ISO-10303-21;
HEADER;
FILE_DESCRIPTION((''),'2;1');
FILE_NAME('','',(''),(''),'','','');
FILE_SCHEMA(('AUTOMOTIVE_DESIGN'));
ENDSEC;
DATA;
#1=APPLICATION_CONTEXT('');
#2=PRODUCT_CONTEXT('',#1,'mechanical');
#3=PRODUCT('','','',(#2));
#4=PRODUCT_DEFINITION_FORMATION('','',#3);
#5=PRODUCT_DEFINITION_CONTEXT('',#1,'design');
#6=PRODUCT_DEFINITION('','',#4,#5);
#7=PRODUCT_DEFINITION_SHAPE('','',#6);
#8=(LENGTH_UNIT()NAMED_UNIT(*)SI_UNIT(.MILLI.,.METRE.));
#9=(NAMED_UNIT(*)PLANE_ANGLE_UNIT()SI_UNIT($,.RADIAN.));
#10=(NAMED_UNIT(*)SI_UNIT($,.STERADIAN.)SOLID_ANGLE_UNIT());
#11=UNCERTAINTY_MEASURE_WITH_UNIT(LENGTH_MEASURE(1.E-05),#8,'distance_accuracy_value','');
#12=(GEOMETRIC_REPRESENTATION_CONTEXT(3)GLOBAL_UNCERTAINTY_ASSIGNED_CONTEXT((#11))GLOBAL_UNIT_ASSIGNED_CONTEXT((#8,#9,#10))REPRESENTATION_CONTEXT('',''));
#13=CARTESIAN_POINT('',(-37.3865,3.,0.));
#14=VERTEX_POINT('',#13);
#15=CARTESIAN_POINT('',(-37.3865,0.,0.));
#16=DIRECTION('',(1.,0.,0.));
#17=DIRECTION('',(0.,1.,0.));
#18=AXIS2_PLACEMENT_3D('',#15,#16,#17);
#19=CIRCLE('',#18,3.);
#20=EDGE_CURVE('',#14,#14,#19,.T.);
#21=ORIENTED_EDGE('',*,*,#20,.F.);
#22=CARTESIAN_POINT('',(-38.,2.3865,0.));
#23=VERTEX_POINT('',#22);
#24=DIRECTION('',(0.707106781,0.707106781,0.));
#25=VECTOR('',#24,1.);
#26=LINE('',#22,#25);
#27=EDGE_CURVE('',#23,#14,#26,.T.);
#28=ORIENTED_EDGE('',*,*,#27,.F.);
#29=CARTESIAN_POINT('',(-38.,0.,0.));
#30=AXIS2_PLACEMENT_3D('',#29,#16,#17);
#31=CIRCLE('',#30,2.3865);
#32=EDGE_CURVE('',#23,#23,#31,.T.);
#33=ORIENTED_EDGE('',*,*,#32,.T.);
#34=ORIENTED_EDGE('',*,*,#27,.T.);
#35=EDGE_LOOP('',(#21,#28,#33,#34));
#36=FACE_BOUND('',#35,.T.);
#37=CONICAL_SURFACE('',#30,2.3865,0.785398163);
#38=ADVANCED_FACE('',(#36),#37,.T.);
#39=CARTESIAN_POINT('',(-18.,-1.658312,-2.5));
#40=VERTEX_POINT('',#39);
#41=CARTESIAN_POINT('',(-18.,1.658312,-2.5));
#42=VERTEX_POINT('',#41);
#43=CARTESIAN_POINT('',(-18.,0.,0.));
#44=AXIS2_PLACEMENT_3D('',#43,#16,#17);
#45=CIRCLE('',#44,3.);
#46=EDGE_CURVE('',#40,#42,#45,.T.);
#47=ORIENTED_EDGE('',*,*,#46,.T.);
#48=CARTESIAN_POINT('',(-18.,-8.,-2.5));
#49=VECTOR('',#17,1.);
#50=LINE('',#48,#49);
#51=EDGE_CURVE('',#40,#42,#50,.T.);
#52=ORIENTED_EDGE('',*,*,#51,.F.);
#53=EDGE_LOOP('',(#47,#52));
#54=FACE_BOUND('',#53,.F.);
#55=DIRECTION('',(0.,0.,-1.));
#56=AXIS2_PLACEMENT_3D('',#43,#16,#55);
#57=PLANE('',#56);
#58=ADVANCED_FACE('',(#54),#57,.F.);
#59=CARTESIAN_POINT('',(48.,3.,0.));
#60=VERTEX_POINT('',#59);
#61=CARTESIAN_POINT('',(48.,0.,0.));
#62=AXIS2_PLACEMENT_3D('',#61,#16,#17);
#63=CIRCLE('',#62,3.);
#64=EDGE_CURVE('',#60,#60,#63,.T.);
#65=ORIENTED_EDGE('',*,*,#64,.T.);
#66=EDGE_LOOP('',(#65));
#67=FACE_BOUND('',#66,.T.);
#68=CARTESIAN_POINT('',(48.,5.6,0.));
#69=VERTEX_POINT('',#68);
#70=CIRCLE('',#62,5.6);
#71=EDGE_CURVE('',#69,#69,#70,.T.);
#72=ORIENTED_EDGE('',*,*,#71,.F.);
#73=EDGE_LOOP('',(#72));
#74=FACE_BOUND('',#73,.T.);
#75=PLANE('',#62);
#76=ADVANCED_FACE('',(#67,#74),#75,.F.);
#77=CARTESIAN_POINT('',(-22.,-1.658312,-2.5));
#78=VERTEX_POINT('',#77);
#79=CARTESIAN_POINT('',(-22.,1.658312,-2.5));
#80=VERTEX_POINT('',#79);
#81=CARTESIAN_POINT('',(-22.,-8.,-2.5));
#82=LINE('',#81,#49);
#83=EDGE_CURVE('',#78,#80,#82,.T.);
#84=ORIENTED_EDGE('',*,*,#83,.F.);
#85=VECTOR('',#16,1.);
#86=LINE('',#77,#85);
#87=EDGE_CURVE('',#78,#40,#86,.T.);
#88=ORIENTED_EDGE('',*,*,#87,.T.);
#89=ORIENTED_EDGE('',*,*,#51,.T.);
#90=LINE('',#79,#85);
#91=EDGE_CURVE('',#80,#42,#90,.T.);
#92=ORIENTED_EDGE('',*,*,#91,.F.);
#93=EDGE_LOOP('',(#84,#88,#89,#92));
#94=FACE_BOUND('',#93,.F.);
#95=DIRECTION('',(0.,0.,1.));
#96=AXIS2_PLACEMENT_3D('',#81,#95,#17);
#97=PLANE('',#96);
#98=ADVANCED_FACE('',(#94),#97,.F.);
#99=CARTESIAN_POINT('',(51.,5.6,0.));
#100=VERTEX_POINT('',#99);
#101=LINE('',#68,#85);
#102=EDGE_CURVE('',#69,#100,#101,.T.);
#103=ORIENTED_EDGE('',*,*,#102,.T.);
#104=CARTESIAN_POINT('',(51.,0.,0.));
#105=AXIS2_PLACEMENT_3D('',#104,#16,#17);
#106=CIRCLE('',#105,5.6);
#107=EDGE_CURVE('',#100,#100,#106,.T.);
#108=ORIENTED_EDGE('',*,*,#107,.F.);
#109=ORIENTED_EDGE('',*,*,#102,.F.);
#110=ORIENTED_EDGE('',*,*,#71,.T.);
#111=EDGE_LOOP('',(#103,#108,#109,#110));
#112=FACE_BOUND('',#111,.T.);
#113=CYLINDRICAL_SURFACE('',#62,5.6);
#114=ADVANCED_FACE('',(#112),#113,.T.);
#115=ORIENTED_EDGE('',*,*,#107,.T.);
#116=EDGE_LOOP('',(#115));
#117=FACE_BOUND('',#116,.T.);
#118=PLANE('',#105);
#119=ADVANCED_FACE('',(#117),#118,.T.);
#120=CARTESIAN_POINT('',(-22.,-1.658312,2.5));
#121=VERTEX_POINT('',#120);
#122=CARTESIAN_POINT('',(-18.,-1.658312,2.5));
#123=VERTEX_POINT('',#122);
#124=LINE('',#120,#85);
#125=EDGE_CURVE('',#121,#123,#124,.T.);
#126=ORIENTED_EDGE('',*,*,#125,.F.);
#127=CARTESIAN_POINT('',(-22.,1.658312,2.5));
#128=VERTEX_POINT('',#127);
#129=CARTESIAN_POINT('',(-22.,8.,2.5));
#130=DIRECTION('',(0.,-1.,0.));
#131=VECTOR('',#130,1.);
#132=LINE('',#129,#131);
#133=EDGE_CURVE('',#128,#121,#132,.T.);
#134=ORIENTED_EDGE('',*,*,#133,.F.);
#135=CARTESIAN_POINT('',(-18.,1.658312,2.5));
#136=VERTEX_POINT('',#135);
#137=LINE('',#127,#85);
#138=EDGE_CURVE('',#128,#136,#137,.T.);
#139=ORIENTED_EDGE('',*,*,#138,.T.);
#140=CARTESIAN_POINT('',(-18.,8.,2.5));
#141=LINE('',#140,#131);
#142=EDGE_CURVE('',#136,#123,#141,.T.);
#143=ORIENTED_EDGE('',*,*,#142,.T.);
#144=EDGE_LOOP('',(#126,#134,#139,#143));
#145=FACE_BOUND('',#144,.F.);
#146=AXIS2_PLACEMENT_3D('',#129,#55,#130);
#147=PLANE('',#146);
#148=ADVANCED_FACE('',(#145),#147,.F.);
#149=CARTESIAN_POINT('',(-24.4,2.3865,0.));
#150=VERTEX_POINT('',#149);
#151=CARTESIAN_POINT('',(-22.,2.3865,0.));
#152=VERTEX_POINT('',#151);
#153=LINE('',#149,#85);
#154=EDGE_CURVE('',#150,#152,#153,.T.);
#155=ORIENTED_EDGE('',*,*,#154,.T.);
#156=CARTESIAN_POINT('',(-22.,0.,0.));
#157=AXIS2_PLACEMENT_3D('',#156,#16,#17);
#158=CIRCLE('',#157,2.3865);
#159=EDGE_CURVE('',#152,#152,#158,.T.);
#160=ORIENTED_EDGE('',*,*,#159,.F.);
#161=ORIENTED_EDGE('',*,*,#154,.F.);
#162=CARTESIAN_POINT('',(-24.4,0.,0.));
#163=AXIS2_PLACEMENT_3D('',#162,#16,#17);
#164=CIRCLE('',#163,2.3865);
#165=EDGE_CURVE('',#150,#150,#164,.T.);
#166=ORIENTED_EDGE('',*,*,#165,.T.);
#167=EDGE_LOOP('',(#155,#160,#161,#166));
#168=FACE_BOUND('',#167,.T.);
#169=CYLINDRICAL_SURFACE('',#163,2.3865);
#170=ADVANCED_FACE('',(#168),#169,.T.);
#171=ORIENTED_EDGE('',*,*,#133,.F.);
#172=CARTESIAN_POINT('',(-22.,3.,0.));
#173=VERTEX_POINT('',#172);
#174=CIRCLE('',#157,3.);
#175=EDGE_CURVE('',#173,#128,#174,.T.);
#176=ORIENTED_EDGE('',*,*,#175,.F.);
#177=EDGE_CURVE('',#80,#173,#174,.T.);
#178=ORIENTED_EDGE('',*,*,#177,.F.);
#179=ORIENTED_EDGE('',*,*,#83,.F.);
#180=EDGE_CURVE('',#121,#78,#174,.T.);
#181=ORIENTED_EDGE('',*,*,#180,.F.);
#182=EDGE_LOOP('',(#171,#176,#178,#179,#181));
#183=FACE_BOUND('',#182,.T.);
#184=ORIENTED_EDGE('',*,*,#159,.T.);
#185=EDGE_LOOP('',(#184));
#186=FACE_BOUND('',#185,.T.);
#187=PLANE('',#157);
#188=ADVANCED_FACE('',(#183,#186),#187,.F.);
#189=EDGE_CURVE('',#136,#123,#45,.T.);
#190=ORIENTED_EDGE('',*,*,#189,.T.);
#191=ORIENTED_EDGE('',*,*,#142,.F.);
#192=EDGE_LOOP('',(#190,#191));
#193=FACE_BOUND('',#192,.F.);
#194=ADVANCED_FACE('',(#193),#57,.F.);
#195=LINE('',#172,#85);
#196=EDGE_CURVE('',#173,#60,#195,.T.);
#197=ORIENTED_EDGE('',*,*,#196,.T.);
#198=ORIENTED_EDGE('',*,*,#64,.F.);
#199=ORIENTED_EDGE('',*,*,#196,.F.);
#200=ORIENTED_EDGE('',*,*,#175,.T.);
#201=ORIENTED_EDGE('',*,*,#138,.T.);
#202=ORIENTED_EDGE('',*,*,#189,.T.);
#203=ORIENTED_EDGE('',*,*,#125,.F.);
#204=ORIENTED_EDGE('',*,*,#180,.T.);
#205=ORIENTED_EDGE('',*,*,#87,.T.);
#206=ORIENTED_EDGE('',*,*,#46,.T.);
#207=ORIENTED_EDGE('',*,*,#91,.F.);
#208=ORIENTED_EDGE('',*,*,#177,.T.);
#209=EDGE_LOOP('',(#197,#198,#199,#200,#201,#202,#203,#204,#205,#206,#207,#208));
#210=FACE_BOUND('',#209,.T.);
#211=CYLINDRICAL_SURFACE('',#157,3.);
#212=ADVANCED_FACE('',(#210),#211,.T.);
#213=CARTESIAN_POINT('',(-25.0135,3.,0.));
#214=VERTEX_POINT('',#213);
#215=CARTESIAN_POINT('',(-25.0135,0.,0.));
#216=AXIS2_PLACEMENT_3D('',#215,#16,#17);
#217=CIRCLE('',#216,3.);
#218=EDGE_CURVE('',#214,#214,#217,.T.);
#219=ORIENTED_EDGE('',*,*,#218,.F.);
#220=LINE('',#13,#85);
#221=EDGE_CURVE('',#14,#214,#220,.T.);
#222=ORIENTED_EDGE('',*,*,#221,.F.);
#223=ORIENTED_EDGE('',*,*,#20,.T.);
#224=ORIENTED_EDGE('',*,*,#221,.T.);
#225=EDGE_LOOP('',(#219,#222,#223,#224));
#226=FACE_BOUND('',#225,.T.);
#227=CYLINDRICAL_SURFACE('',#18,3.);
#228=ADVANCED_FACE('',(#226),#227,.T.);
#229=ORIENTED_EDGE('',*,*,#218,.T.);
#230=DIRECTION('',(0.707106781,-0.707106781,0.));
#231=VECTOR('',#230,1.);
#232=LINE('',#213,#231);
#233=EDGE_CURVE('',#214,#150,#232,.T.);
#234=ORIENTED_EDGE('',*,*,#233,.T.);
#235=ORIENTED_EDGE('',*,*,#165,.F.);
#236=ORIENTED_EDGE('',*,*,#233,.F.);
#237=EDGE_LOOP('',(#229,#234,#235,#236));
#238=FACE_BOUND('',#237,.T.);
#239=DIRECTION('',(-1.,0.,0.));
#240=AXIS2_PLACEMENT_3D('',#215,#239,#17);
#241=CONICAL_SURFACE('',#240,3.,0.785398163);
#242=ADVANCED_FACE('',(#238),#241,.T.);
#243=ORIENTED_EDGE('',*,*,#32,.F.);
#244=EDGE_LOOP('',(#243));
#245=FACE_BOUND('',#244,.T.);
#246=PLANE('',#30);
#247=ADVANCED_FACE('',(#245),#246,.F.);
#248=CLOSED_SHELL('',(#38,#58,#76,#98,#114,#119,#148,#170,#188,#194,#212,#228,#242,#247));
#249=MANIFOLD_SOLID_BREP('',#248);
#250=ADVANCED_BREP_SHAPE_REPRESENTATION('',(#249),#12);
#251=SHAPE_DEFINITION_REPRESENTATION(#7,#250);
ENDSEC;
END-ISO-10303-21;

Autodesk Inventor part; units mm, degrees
sketch "Skizze_1" plane through (0, 0, 0) normal (0, 0, 1) x (1, 0, 0)
  line L0 (51, 0) -> (-38, 0)
  line L1 (-38, 0) -> (-38, 2.3865)
  line L2 (-38, 2.3865) -> (-37.3865, 3)
  line L3 (-37.3865, 3) -> (-25.0135, 3)
  line L4 (-25.0135, 3) -> (-24.4, 2.3865)
  line L5 (-24.4, 2.3865) -> (-22, 2.3865)
  line L6 (-22, 2.3865) -> (-22, 3)
  line L7 (-22, 3) -> (48, 3)
  line L8 (48, 3) -> (48, 5.6)
  line L9 (48, 5.6) -> (51, 5.6)
  line L10 (51, 5.6) -> (51, 0)
  line L11 (51, 0) -> (-38, 0)
revolve "Revolution1" add sketch "Skizze_1" angle 360 about axis through (51, 0, 0) along (1, 0, 0)
thread "Thread1" size "M6x1" class "6g" standard "ISO Metric profile" full length
sketch "Skizze_4" plane through (-22, 0, 0) normal (1, 0, 0) x (0, 0, -1)
  line L0 (-5, -16) -> (5, -16)
  line L1 (5, -16) -> (5, 16)
  line L2 (5, 16) -> (-5, 16)
  line L3 (-5, 16) -> (-5, -16)
  line L4 (-2.5, -8) -> (2.5, -8)
  line L5 (2.5, -8) -> (2.5, 8)
  line L6 (2.5, 8) -> (-2.5, 8)
  line L7 (-2.5, 8) -> (-2.5, -8)
extrude "Extrusion1" cut sketch "Skizze_4" along normal blind 4
ref_plane "P1_XY" through (0, 0, 0) normal (1, 0, 0) x (0, 0, -1)
ref_plane "P1_YZ" through (0, 0, 0) normal (0, 0, -1) x (0, 1, 0)
ref_plane "P1_ZX" through (0, 0, 0) normal (0, 1, 0) x (1, 0, 0)
ref_plane "PD1_XY" through (-32, 0, 0) normal (1, 0, 0) x (0, 0, -1)
ref_plane "PD1_YZ" through (-32, 0, 0) normal (0, 0, -1) x (0, 1, 0)
ref_plane "PD1_ZX" through (-32, 0, 0) normal (0, 1, 0) x (1, 0, 0)
ref_plane "PD2_XY" through (102, 0, 0) normal (1, 0, 0) x (0, 0, -1)
ref_plane "PD2_YZ" through (102, 0, 0) normal (0, 0, -1) x (0, 1, 0)
ref_plane "PD2_ZX" through (102, 0, 0) normal (0, 1, 0) x (1, 0, 0)
properties part number "16N2A12A010-(N0-pistone)"
